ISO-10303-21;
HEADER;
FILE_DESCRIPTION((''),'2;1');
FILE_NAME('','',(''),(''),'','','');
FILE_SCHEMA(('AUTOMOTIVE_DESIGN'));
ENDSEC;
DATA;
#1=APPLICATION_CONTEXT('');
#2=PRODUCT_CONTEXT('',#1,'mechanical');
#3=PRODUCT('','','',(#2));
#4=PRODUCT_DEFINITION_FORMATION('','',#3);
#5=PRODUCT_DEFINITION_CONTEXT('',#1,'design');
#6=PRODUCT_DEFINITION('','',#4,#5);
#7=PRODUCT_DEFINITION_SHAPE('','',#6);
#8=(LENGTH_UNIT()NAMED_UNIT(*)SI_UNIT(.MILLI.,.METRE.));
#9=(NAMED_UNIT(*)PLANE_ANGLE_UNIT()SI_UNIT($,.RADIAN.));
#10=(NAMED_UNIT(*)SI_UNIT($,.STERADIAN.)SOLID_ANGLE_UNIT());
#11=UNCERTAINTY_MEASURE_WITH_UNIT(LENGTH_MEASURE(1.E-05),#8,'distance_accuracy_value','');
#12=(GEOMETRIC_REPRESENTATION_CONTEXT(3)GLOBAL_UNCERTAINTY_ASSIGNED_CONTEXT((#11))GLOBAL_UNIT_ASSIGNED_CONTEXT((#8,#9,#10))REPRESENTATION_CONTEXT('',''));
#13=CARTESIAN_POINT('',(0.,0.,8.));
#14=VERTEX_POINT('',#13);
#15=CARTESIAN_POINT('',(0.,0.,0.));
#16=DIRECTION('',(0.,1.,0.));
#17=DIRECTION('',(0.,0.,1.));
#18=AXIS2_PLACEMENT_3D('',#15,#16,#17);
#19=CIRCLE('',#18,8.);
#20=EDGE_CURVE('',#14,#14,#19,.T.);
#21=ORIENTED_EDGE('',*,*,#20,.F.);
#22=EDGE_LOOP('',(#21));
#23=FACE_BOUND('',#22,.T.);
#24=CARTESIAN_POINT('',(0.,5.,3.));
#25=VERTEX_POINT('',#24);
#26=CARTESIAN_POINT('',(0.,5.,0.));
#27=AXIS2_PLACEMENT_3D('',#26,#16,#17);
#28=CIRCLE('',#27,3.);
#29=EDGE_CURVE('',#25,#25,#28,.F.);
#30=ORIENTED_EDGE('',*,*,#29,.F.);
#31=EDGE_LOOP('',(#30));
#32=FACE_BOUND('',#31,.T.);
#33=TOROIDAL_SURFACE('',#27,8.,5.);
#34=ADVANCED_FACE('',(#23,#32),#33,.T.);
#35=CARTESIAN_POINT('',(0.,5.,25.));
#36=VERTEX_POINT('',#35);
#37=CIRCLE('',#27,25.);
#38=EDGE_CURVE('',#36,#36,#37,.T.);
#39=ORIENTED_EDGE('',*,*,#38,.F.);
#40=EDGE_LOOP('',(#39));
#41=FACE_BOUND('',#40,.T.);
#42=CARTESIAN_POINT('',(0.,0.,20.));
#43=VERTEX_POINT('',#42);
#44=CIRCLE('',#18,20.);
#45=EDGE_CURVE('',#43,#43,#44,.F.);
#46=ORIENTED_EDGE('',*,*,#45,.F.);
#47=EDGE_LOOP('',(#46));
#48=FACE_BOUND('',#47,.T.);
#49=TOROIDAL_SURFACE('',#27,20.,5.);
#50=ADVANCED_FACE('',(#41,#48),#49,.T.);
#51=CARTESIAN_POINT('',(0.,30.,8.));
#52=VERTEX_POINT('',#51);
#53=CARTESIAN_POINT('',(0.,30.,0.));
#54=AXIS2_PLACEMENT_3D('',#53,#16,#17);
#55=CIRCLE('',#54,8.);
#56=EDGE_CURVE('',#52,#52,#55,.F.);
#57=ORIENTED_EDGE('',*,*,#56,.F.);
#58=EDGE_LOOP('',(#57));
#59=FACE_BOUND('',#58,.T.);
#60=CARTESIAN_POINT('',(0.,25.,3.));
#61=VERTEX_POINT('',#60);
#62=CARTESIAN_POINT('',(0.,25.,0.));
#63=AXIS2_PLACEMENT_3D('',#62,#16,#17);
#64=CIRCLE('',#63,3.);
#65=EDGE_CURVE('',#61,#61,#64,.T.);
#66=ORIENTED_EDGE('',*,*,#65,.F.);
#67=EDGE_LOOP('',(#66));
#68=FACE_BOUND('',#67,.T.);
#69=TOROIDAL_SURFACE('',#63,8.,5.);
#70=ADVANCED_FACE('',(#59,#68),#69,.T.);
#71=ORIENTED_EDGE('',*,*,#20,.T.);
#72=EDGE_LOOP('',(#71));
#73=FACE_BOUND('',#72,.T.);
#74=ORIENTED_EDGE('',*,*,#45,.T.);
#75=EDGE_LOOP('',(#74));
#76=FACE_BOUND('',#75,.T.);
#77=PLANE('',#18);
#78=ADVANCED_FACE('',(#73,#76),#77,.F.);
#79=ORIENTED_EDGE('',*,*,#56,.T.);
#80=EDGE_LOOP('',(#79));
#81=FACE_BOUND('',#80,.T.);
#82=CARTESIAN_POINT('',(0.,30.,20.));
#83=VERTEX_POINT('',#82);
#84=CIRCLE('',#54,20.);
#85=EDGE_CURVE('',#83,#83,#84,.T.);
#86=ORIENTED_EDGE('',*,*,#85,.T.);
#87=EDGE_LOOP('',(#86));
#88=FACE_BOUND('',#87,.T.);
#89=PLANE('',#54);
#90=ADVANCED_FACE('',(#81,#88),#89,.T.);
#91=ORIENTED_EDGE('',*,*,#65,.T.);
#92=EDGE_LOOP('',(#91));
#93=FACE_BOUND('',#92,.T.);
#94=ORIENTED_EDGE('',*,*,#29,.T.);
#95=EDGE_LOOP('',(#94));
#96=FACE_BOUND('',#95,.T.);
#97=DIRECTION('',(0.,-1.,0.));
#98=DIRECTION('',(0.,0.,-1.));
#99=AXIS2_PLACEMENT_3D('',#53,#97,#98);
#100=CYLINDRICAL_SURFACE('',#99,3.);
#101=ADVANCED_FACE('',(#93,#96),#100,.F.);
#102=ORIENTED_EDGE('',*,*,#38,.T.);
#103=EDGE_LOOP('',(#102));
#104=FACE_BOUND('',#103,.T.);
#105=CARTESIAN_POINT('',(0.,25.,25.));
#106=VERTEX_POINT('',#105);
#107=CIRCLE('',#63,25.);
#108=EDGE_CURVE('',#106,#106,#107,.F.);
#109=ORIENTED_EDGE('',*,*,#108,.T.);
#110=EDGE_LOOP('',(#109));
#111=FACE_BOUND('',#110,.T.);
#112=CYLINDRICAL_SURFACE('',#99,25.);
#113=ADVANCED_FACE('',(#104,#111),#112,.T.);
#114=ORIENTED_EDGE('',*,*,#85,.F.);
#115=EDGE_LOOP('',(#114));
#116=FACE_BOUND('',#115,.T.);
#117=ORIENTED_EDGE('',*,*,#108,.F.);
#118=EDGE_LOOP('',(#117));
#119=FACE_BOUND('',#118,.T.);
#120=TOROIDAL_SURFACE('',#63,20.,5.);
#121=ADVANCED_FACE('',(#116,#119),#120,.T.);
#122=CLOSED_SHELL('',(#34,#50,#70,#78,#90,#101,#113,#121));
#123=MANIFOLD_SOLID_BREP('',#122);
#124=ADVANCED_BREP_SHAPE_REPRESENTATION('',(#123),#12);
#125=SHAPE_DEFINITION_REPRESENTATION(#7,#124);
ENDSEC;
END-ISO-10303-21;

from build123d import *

# Parameters (mm, degrees)
SKETCH_1_R      = 25
SKETCH_1_R_2    = 3
EXTRUDE_1_DEPTH = 30
FILLET_1_R      = 5
FILLET_2_R      = 5


with BuildPart() as part:
    # 草圖1 → 伸長1 (new body)
    with BuildSketch(Plane(origin=(0, 0, 0), x_dir=(1, 0, 0), z_dir=(0, 1, 0))):
        with Locations(Location((0, 0, 0), (0, 0, 270))):
            Circle(SKETCH_1_R)
        with Locations(Location((0, 0, 0), (0, 0, 270))):
            Circle(SKETCH_1_R_2, mode=Mode.SUBTRACT)
    extrude(amount=EXTRUDE_1_DEPTH)

    # 圓角1
    fillet_1_edges = [part.edges().sort_by_distance(p)[0] for p in [
        (0, 30, -25),
        (0, 0, -3),
        (0, 30, -3),
    ]]
    fillet(fillet_1_edges, radius=FILLET_1_R)

    # 圓角2
    fillet_2_edges = [part.edges().sort_by_distance(p)[0] for p in [
        (0, 0, -25),
    ]]
    fillet(fillet_2_edges, radius=FILLET_2_R)


solid = part.part
